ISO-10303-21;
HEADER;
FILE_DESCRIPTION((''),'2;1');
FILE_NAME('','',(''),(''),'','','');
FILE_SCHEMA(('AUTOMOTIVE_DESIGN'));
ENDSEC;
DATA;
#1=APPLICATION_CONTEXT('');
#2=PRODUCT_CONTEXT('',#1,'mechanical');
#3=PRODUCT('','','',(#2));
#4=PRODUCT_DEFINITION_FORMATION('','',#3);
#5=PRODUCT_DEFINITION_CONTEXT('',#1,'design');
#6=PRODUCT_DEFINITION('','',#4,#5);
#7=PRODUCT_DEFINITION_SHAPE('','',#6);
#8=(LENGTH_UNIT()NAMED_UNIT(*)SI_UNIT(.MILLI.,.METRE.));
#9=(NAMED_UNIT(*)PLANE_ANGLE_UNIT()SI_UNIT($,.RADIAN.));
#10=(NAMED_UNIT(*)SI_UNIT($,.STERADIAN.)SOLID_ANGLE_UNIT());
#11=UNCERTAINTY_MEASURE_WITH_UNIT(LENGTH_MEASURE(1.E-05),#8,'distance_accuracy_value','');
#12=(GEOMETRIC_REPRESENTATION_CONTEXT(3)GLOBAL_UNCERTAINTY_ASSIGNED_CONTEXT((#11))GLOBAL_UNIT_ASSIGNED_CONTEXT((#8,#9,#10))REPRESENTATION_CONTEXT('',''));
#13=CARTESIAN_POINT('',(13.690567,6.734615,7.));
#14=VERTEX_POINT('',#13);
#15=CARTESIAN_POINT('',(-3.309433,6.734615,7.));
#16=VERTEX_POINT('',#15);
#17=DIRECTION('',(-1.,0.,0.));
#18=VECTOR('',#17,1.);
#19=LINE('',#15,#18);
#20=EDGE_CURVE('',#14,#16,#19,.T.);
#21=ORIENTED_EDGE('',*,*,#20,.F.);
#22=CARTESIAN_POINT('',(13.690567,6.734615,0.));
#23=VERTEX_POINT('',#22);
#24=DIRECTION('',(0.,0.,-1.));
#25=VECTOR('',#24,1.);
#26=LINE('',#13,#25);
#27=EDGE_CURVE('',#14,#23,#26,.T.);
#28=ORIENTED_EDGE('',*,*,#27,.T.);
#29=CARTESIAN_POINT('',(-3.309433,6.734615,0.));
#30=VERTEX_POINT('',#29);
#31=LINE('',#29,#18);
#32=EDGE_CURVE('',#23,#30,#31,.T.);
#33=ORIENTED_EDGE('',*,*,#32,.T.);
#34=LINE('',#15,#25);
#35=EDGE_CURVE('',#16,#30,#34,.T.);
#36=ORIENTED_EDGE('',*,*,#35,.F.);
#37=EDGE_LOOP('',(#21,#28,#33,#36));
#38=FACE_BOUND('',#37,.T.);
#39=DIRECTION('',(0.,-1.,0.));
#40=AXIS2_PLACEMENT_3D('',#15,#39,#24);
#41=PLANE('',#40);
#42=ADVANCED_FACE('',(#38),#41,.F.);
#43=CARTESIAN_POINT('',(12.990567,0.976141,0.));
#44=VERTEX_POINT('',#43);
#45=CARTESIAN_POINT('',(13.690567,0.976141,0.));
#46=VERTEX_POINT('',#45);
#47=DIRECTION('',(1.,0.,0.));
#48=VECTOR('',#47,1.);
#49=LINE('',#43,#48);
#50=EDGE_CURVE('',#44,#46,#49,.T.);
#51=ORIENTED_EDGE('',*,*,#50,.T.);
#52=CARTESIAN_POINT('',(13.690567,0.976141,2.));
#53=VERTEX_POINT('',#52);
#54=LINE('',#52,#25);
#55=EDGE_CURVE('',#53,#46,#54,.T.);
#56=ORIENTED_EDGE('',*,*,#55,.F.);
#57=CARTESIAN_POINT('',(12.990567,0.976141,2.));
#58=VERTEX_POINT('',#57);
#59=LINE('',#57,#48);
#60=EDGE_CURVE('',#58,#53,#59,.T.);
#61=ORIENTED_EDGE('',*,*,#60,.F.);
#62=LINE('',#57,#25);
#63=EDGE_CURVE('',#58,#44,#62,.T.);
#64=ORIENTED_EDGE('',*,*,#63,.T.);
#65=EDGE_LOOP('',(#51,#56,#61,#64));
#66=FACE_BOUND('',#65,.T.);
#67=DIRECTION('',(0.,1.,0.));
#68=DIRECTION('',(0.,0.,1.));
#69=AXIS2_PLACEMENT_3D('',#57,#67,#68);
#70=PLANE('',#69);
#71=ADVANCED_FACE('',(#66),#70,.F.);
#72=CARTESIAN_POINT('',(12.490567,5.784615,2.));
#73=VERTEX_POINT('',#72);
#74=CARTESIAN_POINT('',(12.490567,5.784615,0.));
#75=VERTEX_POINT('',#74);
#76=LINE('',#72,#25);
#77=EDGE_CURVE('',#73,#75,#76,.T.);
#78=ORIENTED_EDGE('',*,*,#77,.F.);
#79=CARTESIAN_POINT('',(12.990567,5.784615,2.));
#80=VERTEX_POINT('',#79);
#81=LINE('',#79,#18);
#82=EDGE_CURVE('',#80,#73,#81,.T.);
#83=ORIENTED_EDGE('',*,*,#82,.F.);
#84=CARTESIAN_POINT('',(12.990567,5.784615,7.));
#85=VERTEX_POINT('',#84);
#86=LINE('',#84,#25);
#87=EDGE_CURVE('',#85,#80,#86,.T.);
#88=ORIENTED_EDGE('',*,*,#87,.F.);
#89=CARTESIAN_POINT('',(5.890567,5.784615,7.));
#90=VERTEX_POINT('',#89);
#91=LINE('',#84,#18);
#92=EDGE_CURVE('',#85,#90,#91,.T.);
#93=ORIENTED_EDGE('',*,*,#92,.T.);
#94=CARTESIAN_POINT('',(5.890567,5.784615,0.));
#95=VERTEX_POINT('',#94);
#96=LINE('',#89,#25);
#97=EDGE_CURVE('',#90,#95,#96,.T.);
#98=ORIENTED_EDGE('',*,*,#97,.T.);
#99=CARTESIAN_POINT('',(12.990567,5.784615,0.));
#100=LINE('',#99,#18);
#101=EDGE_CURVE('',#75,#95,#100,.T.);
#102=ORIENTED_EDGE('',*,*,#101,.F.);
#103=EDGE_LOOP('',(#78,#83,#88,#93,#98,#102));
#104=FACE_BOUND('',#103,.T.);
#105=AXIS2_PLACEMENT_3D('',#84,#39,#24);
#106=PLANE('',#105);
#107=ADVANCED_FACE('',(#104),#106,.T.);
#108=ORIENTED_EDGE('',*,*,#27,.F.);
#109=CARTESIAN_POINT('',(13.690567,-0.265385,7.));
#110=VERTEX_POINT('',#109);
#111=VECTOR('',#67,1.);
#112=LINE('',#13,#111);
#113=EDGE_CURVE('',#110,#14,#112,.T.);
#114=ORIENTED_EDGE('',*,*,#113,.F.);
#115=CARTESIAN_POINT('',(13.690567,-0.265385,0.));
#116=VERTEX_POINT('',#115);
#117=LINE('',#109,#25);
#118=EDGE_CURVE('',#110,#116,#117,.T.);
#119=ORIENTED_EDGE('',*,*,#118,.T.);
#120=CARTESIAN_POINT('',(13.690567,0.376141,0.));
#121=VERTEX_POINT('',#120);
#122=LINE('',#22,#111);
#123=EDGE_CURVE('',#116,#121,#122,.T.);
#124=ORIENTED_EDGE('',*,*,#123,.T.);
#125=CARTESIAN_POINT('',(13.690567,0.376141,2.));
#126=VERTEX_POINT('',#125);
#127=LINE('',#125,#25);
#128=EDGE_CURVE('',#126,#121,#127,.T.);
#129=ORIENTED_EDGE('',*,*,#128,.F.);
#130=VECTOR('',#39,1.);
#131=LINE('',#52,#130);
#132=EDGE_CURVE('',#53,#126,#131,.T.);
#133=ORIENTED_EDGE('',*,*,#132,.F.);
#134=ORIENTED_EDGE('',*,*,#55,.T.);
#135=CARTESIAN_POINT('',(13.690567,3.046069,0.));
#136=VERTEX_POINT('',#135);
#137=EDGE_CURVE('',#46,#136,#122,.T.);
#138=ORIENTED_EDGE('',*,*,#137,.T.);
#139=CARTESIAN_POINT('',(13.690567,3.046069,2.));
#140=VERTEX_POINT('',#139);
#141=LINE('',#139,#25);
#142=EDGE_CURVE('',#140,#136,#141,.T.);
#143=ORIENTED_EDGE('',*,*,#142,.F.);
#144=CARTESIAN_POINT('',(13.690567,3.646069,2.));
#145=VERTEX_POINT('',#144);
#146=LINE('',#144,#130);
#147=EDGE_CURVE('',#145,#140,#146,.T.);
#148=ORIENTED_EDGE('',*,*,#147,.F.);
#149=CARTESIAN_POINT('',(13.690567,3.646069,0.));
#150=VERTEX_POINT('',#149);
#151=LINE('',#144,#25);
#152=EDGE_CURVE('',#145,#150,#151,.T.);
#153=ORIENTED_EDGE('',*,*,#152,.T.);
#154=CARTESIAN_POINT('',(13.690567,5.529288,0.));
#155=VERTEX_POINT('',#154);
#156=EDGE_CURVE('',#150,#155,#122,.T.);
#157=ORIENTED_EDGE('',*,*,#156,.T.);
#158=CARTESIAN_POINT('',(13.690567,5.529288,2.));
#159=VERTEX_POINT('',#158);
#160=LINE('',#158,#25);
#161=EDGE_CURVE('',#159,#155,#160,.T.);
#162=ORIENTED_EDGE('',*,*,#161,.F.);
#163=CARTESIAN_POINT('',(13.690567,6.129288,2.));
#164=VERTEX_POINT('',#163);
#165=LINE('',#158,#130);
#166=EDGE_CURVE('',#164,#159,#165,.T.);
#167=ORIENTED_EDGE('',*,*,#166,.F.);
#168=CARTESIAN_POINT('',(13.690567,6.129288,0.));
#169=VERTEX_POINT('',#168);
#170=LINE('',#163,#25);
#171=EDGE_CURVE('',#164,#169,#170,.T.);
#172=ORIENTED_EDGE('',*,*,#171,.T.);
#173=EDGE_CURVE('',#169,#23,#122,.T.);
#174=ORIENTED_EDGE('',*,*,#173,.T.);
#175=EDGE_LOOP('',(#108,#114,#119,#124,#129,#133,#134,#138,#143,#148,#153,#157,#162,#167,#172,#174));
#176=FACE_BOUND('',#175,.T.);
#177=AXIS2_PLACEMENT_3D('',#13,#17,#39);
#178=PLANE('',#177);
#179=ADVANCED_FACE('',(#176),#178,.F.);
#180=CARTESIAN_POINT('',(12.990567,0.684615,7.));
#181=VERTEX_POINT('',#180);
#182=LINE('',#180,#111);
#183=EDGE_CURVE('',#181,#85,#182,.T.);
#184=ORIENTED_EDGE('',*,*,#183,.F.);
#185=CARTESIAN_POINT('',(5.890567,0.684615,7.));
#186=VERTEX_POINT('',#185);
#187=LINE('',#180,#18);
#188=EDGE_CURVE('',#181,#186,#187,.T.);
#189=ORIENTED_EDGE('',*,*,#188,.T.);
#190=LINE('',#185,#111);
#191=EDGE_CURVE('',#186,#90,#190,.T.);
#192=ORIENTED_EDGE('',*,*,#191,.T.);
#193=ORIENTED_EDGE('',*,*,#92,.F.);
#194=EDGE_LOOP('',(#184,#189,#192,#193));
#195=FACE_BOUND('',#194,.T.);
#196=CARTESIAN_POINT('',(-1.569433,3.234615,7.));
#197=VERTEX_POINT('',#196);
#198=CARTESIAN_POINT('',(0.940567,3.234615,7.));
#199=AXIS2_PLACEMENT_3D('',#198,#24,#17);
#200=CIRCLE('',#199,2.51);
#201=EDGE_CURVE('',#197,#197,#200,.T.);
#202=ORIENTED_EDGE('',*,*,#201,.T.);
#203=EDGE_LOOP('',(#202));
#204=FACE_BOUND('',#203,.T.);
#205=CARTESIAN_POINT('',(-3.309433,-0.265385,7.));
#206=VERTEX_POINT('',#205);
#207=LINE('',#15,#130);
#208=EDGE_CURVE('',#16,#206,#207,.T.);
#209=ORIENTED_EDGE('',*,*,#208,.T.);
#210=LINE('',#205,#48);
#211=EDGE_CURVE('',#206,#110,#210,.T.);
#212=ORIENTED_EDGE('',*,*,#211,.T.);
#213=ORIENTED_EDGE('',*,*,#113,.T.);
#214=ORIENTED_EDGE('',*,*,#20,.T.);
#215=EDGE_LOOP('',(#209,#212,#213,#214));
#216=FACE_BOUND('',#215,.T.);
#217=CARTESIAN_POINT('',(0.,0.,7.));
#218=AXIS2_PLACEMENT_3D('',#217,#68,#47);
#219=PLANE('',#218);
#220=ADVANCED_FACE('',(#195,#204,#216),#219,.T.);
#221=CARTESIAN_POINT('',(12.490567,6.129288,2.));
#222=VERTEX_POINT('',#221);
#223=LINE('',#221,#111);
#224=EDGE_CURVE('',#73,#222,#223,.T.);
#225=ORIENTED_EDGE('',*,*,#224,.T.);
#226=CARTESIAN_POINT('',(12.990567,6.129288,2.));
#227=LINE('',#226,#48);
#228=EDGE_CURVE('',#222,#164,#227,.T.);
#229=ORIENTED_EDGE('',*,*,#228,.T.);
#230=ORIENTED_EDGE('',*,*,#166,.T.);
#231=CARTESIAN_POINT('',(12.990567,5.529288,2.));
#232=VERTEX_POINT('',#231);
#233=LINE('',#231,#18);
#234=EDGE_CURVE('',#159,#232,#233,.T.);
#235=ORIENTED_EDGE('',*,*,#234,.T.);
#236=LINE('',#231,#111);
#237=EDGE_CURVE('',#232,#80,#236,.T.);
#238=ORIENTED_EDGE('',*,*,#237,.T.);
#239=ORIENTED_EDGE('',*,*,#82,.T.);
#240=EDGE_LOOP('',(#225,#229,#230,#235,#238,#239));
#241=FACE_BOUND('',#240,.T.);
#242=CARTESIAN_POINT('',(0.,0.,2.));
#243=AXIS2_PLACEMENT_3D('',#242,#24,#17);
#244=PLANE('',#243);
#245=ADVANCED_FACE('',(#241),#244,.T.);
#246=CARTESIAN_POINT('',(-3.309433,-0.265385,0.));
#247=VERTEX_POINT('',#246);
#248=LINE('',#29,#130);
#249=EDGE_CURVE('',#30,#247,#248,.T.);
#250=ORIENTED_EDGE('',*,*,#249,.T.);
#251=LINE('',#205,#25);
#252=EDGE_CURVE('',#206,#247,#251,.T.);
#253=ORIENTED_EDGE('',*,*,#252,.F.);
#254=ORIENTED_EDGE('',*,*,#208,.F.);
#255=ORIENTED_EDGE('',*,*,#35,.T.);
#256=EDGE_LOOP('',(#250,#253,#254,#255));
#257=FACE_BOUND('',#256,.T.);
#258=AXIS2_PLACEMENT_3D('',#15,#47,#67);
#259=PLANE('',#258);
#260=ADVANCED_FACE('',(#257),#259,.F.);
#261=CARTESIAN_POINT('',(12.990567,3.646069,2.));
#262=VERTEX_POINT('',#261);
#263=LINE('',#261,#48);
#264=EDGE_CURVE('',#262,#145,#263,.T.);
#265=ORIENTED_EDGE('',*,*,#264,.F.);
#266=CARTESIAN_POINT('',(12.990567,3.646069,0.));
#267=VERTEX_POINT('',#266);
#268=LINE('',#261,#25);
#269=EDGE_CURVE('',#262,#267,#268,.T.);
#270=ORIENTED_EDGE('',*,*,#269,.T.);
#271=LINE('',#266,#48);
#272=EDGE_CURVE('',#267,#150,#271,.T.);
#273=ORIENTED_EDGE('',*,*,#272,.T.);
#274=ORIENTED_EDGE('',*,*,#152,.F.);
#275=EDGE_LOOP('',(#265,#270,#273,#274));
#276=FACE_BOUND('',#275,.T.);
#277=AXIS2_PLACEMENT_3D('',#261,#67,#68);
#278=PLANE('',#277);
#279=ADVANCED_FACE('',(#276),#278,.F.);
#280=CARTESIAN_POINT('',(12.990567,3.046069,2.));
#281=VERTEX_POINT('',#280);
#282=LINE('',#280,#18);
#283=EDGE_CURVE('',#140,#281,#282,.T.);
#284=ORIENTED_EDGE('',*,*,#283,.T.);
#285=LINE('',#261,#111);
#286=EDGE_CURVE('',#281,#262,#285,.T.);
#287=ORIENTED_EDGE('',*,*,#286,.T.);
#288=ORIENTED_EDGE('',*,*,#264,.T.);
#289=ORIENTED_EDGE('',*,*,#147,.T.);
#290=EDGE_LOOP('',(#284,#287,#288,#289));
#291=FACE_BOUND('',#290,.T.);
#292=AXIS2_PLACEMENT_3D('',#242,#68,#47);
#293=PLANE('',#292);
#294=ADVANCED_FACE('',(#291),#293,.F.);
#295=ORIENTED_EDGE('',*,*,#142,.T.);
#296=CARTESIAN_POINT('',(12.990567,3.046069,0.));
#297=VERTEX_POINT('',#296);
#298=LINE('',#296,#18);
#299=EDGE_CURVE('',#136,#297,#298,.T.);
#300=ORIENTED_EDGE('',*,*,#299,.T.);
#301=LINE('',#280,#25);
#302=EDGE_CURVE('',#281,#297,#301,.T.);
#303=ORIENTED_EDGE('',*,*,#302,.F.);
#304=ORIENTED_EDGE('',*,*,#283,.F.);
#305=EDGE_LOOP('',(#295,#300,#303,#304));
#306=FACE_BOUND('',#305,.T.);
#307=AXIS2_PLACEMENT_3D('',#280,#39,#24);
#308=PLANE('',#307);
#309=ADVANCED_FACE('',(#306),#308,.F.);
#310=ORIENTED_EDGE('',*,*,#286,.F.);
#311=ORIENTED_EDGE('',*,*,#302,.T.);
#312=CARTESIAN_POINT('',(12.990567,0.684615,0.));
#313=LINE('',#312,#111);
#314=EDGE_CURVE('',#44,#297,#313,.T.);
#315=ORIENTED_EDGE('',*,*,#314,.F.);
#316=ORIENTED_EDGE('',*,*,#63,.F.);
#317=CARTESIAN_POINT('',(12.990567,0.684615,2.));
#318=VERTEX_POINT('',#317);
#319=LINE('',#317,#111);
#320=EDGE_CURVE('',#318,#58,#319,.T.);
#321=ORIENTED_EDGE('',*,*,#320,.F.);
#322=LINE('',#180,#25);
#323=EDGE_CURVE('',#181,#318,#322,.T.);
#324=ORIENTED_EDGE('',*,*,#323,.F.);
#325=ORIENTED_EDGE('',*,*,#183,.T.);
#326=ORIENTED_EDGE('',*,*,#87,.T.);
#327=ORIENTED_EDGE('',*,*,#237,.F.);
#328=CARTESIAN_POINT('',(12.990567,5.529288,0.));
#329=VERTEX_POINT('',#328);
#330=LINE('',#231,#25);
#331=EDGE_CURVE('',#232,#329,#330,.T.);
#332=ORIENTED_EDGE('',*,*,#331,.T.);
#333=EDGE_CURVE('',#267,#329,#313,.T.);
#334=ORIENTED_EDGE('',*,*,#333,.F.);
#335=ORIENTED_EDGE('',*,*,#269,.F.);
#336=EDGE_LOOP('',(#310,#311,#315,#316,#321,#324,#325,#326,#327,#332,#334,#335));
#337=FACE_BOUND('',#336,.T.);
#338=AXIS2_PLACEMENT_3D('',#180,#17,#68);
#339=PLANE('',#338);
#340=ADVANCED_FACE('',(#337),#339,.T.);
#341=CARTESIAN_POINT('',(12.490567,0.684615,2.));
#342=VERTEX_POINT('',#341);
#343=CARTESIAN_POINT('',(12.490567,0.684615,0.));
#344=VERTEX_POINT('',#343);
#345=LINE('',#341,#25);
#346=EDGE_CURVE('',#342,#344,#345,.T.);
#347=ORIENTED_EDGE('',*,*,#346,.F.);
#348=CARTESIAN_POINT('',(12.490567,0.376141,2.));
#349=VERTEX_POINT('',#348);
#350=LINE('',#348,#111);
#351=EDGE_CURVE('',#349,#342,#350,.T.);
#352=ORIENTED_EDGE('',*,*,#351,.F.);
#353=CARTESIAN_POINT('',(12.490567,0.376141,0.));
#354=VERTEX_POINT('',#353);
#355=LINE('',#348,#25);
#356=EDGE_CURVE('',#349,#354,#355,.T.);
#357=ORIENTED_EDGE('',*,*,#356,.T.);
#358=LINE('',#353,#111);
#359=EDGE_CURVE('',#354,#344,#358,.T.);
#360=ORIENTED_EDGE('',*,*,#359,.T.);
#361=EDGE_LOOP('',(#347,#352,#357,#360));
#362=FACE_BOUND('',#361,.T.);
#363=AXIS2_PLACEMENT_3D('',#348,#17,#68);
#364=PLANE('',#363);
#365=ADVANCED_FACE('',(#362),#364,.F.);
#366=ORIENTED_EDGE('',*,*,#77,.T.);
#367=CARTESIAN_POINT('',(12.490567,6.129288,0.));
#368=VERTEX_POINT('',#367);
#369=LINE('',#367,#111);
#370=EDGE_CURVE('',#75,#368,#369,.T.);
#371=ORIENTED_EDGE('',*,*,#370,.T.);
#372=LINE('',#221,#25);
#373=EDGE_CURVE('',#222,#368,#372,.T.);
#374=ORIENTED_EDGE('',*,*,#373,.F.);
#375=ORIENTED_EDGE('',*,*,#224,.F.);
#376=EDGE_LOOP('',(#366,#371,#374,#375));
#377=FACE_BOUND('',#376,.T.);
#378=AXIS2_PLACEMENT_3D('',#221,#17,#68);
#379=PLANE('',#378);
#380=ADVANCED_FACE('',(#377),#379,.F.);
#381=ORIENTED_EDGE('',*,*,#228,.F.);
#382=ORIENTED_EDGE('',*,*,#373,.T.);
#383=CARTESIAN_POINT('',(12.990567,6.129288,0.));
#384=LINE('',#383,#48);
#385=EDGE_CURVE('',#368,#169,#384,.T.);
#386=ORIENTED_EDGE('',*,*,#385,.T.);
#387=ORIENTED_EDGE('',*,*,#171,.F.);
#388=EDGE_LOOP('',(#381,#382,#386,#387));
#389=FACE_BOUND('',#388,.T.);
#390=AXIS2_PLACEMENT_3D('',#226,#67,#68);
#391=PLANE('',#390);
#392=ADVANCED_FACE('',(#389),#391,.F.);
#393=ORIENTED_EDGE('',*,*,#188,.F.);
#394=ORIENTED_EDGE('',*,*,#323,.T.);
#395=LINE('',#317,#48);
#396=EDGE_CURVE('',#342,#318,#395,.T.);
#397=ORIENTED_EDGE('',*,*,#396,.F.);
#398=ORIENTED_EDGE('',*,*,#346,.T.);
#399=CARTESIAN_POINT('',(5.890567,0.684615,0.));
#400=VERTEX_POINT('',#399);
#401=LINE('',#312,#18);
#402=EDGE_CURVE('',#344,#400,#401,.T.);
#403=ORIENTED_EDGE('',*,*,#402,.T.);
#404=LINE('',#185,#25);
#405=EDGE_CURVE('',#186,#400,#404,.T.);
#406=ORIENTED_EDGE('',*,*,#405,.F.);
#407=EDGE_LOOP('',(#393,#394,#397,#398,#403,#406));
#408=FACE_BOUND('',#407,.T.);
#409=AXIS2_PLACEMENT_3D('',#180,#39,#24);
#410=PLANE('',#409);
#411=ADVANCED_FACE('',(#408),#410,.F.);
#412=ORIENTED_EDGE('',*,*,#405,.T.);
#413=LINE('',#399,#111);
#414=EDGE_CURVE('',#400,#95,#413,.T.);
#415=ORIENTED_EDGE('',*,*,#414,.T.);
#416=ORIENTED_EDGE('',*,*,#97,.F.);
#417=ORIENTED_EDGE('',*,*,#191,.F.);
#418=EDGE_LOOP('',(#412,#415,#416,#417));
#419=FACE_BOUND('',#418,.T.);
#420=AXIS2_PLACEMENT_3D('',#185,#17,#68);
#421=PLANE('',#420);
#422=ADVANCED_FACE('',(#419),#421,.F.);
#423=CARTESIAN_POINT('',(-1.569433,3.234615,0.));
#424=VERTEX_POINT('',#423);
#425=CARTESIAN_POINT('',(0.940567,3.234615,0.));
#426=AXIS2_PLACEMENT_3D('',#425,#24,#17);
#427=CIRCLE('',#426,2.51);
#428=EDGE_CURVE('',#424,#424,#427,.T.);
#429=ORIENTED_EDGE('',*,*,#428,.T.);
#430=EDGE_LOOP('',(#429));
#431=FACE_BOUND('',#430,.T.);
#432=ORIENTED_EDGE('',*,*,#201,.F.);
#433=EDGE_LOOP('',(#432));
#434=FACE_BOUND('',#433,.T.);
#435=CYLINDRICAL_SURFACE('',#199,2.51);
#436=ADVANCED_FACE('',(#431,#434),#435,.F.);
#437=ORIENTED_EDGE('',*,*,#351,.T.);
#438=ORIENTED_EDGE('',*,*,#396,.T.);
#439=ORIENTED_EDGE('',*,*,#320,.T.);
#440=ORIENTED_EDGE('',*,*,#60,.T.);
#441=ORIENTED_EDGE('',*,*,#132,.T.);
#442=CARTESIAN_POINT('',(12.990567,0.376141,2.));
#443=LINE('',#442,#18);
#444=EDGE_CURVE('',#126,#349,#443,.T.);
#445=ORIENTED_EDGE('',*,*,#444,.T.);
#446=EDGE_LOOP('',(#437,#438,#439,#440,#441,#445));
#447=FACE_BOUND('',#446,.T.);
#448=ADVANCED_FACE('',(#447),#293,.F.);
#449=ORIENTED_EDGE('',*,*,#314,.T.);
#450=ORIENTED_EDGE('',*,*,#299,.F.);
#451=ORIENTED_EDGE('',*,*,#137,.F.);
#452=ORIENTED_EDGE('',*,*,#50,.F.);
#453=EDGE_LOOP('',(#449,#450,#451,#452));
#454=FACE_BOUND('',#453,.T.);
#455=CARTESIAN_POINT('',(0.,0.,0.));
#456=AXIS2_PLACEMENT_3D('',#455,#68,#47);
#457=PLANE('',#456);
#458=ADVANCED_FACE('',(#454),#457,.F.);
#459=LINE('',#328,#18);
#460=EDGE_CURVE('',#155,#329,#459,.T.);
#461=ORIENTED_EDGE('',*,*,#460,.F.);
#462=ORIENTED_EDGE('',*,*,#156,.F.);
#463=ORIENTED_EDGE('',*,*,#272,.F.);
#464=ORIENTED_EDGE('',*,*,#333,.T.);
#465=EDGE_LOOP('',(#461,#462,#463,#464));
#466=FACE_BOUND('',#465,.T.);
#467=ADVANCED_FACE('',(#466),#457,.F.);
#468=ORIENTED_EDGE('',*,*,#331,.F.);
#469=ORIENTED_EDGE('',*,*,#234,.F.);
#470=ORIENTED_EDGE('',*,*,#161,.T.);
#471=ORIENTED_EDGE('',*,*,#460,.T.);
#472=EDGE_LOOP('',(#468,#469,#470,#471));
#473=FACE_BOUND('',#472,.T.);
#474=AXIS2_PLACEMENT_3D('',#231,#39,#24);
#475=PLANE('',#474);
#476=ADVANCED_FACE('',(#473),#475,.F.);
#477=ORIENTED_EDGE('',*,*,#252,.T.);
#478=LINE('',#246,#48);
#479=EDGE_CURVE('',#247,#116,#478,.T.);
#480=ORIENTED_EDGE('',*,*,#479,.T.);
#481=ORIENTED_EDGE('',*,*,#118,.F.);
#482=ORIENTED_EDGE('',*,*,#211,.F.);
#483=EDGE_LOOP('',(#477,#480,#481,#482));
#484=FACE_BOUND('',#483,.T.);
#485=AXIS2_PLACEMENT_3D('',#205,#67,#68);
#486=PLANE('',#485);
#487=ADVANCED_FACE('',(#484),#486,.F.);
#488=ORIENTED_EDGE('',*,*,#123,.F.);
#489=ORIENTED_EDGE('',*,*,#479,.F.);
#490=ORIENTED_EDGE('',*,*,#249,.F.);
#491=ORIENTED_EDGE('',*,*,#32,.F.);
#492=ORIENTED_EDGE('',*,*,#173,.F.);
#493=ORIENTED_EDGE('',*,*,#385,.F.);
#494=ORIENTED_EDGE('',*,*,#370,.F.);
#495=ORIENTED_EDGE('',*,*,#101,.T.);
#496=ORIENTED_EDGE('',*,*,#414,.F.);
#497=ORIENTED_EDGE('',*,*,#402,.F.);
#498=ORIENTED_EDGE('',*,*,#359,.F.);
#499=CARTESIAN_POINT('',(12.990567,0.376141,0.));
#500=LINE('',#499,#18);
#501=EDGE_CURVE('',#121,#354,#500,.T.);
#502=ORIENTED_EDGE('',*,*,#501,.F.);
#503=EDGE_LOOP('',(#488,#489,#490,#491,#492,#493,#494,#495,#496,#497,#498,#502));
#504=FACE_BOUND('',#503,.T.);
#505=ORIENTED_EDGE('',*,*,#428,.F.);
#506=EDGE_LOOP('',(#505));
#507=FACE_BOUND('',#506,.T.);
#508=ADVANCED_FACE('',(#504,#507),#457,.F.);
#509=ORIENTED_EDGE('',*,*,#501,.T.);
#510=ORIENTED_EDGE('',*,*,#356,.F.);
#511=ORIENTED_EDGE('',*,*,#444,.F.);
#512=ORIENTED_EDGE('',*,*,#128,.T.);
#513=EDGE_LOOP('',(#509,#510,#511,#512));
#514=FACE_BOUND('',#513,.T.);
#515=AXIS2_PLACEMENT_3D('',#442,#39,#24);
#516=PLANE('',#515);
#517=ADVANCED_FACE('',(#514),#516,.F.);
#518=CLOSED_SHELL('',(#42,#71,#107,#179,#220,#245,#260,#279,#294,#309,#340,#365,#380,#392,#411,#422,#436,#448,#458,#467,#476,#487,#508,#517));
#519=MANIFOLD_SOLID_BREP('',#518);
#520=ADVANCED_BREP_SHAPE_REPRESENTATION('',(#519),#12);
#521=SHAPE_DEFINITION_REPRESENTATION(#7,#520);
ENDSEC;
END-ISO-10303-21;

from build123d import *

# Parameters (mm, degrees)
CROQUIS1_W              = 17
CROQUIS1_H              = 7
SALIENTE_EXTRUIR1_DEPTH = 7
CROQUIS2_R              = 2.51
CROQUIS2_W              = 7.1
CROQUIS2_H              = 5.1
CORTAR_EXTRUIR2_DEPTH   = 7
CROQUIS4_W              = 0.7
CROQUIS4_H              = 0.6
CORTAR_EXTRUIR3_DEPTH   = 2
CROQUIS5_W              = 0.5
CROQUIS5_H              = 0.344672938
CROQUIS5_H_2            = 0.308474041
CORTAR_EXTRUIR4_DEPTH   = 2


with BuildPart() as part:
    # Croquis1 → Saliente-Extruir1 (new body)
    with BuildSketch(Plane.XY):
        with Locations((5.190566528, 3.234615385)):
            Rectangle(CROQUIS1_W, CROQUIS1_H)
    extrude(amount=SALIENTE_EXTRUIR1_DEPTH)

    # Croquis2 → Cortar-Extruir2 (cut)
    with BuildSketch(Plane(origin=(0, 0, 0), x_dir=(-1, 0, 0), z_dir=(0, 0, -1))):
        with Locations((-0.940566528, 3.234615385)):
            Circle(CROQUIS2_R)
        with Locations((-9.440566528, 3.234615385)):
            Rectangle(CROQUIS2_W, CROQUIS2_H)
    extrude(amount=-CORTAR_EXTRUIR2_DEPTH, mode=Mode.SUBTRACT)

    # Croquis4 → Cortar-Extruir3 (cut)
    with BuildSketch(Plane(origin=(0, 0, 0), x_dir=(-1, 0, 0), z_dir=(0, 0, -1))):
        with Locations((-13.340566528, 5.829288323)):
            Rectangle(CROQUIS4_W, CROQUIS4_H)
        with Locations((-13.340566528, 3.346068945)):
            Rectangle(CROQUIS4_W, CROQUIS4_H)
        with Locations((-13.340566528, 0.676141344)):
            Rectangle(CROQUIS4_W, CROQUIS4_H)
    extrude(amount=-CORTAR_EXTRUIR3_DEPTH, mode=Mode.SUBTRACT)

    # Croquis5 → Cortar-Extruir4 (cut)
    with BuildSketch(Plane(origin=(0, 0, 0), x_dir=(-1, 0, 0), z_dir=(0, 0, -1))):
        with Locations((-12.740566528, 5.956951854)):
            Rectangle(CROQUIS5_W, CROQUIS5_H)
        with Locations((-12.740566528, 0.530378365)):
            Rectangle(CROQUIS5_W, CROQUIS5_H_2)
    extrude(amount=-CORTAR_EXTRUIR4_DEPTH, mode=Mode.SUBTRACT)


solid = part.part
